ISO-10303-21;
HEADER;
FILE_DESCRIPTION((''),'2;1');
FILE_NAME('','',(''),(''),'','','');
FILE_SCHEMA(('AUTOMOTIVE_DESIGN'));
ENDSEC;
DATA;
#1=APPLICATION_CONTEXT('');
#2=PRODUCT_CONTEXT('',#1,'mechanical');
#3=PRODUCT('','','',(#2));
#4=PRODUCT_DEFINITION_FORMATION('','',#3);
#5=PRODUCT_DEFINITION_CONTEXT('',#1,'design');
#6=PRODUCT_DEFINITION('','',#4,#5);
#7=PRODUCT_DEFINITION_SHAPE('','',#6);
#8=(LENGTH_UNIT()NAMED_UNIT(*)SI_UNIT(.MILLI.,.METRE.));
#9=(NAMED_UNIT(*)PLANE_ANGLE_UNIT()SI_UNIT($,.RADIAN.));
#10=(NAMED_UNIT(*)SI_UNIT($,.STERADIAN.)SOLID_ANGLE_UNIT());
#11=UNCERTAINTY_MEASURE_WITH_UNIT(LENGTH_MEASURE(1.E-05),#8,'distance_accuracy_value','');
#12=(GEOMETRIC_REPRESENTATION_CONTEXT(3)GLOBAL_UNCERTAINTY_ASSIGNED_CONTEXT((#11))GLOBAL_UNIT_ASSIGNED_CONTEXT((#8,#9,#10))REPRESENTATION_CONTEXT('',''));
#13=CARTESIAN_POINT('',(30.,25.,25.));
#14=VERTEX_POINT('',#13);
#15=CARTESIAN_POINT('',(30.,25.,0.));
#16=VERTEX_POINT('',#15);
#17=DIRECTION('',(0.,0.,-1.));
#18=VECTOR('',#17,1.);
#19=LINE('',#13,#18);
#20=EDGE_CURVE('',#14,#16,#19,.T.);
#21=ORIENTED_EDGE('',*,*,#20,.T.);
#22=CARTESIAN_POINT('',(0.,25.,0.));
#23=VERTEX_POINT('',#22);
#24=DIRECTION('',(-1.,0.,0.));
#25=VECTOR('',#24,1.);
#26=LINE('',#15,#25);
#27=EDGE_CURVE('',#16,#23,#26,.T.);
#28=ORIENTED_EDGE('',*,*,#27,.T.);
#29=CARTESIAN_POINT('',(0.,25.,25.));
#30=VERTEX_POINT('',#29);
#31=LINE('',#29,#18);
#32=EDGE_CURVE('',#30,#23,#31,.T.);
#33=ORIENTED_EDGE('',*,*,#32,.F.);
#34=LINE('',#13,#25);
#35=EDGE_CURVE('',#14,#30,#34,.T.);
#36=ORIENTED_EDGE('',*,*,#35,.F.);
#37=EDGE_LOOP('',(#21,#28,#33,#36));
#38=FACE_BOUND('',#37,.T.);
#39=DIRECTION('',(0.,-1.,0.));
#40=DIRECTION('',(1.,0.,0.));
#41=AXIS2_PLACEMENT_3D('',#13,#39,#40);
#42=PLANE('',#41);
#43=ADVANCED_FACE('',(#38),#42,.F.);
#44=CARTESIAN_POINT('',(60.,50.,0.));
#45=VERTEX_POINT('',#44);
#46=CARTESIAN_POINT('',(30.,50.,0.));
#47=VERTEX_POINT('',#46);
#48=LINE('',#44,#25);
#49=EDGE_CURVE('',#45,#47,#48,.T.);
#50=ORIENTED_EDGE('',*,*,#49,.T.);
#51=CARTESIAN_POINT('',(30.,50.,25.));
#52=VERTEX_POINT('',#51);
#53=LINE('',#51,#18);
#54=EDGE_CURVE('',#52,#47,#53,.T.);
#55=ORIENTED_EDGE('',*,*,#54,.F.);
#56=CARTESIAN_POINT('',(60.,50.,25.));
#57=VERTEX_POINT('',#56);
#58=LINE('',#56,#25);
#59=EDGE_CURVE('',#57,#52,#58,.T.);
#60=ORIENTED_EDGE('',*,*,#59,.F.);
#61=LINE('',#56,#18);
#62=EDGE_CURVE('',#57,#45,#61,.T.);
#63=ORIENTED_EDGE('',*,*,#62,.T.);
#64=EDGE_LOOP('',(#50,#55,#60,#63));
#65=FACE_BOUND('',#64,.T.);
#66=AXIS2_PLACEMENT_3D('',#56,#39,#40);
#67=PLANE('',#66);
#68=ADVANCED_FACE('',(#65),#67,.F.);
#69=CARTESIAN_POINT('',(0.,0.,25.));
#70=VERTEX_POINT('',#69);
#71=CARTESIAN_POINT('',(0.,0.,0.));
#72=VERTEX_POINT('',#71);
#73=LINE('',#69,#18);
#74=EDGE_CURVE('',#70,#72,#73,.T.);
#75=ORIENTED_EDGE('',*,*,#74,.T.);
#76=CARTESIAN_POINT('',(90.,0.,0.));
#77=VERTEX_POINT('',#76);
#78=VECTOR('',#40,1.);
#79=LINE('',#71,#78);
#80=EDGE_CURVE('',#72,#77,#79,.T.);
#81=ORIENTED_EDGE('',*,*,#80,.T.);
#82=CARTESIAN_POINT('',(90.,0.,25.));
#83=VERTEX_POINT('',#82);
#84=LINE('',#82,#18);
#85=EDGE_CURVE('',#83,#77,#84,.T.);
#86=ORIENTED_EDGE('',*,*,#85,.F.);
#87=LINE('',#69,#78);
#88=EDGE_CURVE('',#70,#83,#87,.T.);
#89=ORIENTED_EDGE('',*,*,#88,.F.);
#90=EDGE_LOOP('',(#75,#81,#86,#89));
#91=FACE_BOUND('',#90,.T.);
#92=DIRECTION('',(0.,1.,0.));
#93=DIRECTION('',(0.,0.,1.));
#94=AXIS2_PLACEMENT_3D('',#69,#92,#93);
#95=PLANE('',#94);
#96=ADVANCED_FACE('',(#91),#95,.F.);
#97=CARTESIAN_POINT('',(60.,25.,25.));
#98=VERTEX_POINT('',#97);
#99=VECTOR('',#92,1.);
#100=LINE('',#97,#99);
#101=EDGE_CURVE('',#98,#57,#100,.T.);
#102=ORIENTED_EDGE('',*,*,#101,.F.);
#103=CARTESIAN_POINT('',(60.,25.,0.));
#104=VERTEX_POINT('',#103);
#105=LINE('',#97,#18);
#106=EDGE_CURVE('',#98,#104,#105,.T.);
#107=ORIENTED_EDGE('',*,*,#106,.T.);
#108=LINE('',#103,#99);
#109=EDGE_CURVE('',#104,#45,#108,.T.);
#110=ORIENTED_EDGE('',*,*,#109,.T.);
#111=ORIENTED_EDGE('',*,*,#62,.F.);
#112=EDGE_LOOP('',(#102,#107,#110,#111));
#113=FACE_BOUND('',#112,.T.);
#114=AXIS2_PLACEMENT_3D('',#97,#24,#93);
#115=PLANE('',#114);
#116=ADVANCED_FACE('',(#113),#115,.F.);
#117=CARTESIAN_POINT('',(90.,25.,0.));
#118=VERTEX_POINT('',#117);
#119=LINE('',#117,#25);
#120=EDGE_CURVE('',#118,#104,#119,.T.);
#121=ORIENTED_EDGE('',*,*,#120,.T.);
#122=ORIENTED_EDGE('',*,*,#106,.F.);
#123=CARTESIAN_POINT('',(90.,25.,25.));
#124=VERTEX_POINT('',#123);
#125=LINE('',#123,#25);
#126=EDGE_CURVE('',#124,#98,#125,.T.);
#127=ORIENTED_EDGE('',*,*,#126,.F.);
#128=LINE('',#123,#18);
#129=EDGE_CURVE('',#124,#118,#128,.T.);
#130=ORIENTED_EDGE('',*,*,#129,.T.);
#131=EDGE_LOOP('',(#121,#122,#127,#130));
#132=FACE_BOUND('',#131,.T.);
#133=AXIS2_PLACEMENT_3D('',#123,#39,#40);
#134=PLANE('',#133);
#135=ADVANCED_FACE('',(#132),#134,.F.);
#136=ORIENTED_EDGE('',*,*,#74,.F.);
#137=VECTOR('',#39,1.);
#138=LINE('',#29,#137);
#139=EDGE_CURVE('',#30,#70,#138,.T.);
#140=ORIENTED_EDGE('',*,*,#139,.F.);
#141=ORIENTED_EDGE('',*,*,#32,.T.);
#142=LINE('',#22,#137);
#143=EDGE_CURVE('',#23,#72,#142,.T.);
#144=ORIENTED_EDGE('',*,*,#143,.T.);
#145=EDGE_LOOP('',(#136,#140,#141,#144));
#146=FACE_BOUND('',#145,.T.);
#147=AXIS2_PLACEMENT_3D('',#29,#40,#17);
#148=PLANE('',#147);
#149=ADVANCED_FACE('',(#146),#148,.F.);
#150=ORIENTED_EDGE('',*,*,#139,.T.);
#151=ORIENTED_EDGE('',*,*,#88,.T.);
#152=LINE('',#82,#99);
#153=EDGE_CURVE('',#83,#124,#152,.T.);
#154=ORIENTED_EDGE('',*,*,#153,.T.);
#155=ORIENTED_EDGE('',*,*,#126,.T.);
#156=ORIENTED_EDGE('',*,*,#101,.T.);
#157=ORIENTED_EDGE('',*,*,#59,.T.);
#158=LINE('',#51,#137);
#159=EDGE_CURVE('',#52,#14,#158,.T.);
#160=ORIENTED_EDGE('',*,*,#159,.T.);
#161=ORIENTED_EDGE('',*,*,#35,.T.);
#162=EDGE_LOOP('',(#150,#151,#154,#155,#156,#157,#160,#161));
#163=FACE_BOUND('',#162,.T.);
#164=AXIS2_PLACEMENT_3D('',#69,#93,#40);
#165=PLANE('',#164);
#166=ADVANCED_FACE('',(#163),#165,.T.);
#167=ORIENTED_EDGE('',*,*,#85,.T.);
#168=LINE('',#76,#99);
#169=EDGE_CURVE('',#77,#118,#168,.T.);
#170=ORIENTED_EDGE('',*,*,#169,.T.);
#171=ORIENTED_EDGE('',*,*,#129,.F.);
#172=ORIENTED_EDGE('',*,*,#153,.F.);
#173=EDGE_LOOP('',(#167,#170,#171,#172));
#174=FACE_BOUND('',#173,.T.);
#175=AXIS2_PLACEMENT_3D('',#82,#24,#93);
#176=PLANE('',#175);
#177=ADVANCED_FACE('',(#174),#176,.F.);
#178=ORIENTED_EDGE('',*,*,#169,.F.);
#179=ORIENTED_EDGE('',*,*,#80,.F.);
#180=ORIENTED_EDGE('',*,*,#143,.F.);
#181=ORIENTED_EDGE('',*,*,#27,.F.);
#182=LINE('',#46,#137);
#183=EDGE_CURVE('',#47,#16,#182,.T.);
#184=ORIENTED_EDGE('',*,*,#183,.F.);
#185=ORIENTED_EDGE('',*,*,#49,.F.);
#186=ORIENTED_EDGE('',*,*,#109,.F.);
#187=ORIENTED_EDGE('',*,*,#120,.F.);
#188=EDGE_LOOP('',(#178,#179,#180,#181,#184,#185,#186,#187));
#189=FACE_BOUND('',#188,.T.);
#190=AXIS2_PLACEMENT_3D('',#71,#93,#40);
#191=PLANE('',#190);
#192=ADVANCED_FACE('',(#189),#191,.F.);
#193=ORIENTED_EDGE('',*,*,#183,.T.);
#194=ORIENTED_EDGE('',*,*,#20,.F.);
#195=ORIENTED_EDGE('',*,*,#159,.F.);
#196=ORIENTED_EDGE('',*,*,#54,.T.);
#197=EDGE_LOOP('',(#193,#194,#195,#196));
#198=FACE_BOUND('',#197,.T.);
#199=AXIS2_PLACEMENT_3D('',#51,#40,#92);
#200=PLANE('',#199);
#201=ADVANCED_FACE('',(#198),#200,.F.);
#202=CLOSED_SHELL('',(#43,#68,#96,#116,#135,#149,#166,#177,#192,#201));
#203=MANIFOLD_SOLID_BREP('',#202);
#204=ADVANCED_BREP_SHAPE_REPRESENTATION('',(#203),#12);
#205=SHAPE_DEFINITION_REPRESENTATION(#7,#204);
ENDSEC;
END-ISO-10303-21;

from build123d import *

# Parameters (mm, degrees)
BOSS_EXTRUDE1_DEPTH = 25


with BuildPart() as part:
    # Sketch1 → Boss-Extrude1 (new body)
    with BuildSketch(Plane.XY):
        Polygon((0, 0), (90, 0), (90, 25), (60, 25), (60, 50), (30, 50), (30, 25), (0, 25), align=None)
    extrude(amount=BOSS_EXTRUDE1_DEPTH)


solid = part.part
